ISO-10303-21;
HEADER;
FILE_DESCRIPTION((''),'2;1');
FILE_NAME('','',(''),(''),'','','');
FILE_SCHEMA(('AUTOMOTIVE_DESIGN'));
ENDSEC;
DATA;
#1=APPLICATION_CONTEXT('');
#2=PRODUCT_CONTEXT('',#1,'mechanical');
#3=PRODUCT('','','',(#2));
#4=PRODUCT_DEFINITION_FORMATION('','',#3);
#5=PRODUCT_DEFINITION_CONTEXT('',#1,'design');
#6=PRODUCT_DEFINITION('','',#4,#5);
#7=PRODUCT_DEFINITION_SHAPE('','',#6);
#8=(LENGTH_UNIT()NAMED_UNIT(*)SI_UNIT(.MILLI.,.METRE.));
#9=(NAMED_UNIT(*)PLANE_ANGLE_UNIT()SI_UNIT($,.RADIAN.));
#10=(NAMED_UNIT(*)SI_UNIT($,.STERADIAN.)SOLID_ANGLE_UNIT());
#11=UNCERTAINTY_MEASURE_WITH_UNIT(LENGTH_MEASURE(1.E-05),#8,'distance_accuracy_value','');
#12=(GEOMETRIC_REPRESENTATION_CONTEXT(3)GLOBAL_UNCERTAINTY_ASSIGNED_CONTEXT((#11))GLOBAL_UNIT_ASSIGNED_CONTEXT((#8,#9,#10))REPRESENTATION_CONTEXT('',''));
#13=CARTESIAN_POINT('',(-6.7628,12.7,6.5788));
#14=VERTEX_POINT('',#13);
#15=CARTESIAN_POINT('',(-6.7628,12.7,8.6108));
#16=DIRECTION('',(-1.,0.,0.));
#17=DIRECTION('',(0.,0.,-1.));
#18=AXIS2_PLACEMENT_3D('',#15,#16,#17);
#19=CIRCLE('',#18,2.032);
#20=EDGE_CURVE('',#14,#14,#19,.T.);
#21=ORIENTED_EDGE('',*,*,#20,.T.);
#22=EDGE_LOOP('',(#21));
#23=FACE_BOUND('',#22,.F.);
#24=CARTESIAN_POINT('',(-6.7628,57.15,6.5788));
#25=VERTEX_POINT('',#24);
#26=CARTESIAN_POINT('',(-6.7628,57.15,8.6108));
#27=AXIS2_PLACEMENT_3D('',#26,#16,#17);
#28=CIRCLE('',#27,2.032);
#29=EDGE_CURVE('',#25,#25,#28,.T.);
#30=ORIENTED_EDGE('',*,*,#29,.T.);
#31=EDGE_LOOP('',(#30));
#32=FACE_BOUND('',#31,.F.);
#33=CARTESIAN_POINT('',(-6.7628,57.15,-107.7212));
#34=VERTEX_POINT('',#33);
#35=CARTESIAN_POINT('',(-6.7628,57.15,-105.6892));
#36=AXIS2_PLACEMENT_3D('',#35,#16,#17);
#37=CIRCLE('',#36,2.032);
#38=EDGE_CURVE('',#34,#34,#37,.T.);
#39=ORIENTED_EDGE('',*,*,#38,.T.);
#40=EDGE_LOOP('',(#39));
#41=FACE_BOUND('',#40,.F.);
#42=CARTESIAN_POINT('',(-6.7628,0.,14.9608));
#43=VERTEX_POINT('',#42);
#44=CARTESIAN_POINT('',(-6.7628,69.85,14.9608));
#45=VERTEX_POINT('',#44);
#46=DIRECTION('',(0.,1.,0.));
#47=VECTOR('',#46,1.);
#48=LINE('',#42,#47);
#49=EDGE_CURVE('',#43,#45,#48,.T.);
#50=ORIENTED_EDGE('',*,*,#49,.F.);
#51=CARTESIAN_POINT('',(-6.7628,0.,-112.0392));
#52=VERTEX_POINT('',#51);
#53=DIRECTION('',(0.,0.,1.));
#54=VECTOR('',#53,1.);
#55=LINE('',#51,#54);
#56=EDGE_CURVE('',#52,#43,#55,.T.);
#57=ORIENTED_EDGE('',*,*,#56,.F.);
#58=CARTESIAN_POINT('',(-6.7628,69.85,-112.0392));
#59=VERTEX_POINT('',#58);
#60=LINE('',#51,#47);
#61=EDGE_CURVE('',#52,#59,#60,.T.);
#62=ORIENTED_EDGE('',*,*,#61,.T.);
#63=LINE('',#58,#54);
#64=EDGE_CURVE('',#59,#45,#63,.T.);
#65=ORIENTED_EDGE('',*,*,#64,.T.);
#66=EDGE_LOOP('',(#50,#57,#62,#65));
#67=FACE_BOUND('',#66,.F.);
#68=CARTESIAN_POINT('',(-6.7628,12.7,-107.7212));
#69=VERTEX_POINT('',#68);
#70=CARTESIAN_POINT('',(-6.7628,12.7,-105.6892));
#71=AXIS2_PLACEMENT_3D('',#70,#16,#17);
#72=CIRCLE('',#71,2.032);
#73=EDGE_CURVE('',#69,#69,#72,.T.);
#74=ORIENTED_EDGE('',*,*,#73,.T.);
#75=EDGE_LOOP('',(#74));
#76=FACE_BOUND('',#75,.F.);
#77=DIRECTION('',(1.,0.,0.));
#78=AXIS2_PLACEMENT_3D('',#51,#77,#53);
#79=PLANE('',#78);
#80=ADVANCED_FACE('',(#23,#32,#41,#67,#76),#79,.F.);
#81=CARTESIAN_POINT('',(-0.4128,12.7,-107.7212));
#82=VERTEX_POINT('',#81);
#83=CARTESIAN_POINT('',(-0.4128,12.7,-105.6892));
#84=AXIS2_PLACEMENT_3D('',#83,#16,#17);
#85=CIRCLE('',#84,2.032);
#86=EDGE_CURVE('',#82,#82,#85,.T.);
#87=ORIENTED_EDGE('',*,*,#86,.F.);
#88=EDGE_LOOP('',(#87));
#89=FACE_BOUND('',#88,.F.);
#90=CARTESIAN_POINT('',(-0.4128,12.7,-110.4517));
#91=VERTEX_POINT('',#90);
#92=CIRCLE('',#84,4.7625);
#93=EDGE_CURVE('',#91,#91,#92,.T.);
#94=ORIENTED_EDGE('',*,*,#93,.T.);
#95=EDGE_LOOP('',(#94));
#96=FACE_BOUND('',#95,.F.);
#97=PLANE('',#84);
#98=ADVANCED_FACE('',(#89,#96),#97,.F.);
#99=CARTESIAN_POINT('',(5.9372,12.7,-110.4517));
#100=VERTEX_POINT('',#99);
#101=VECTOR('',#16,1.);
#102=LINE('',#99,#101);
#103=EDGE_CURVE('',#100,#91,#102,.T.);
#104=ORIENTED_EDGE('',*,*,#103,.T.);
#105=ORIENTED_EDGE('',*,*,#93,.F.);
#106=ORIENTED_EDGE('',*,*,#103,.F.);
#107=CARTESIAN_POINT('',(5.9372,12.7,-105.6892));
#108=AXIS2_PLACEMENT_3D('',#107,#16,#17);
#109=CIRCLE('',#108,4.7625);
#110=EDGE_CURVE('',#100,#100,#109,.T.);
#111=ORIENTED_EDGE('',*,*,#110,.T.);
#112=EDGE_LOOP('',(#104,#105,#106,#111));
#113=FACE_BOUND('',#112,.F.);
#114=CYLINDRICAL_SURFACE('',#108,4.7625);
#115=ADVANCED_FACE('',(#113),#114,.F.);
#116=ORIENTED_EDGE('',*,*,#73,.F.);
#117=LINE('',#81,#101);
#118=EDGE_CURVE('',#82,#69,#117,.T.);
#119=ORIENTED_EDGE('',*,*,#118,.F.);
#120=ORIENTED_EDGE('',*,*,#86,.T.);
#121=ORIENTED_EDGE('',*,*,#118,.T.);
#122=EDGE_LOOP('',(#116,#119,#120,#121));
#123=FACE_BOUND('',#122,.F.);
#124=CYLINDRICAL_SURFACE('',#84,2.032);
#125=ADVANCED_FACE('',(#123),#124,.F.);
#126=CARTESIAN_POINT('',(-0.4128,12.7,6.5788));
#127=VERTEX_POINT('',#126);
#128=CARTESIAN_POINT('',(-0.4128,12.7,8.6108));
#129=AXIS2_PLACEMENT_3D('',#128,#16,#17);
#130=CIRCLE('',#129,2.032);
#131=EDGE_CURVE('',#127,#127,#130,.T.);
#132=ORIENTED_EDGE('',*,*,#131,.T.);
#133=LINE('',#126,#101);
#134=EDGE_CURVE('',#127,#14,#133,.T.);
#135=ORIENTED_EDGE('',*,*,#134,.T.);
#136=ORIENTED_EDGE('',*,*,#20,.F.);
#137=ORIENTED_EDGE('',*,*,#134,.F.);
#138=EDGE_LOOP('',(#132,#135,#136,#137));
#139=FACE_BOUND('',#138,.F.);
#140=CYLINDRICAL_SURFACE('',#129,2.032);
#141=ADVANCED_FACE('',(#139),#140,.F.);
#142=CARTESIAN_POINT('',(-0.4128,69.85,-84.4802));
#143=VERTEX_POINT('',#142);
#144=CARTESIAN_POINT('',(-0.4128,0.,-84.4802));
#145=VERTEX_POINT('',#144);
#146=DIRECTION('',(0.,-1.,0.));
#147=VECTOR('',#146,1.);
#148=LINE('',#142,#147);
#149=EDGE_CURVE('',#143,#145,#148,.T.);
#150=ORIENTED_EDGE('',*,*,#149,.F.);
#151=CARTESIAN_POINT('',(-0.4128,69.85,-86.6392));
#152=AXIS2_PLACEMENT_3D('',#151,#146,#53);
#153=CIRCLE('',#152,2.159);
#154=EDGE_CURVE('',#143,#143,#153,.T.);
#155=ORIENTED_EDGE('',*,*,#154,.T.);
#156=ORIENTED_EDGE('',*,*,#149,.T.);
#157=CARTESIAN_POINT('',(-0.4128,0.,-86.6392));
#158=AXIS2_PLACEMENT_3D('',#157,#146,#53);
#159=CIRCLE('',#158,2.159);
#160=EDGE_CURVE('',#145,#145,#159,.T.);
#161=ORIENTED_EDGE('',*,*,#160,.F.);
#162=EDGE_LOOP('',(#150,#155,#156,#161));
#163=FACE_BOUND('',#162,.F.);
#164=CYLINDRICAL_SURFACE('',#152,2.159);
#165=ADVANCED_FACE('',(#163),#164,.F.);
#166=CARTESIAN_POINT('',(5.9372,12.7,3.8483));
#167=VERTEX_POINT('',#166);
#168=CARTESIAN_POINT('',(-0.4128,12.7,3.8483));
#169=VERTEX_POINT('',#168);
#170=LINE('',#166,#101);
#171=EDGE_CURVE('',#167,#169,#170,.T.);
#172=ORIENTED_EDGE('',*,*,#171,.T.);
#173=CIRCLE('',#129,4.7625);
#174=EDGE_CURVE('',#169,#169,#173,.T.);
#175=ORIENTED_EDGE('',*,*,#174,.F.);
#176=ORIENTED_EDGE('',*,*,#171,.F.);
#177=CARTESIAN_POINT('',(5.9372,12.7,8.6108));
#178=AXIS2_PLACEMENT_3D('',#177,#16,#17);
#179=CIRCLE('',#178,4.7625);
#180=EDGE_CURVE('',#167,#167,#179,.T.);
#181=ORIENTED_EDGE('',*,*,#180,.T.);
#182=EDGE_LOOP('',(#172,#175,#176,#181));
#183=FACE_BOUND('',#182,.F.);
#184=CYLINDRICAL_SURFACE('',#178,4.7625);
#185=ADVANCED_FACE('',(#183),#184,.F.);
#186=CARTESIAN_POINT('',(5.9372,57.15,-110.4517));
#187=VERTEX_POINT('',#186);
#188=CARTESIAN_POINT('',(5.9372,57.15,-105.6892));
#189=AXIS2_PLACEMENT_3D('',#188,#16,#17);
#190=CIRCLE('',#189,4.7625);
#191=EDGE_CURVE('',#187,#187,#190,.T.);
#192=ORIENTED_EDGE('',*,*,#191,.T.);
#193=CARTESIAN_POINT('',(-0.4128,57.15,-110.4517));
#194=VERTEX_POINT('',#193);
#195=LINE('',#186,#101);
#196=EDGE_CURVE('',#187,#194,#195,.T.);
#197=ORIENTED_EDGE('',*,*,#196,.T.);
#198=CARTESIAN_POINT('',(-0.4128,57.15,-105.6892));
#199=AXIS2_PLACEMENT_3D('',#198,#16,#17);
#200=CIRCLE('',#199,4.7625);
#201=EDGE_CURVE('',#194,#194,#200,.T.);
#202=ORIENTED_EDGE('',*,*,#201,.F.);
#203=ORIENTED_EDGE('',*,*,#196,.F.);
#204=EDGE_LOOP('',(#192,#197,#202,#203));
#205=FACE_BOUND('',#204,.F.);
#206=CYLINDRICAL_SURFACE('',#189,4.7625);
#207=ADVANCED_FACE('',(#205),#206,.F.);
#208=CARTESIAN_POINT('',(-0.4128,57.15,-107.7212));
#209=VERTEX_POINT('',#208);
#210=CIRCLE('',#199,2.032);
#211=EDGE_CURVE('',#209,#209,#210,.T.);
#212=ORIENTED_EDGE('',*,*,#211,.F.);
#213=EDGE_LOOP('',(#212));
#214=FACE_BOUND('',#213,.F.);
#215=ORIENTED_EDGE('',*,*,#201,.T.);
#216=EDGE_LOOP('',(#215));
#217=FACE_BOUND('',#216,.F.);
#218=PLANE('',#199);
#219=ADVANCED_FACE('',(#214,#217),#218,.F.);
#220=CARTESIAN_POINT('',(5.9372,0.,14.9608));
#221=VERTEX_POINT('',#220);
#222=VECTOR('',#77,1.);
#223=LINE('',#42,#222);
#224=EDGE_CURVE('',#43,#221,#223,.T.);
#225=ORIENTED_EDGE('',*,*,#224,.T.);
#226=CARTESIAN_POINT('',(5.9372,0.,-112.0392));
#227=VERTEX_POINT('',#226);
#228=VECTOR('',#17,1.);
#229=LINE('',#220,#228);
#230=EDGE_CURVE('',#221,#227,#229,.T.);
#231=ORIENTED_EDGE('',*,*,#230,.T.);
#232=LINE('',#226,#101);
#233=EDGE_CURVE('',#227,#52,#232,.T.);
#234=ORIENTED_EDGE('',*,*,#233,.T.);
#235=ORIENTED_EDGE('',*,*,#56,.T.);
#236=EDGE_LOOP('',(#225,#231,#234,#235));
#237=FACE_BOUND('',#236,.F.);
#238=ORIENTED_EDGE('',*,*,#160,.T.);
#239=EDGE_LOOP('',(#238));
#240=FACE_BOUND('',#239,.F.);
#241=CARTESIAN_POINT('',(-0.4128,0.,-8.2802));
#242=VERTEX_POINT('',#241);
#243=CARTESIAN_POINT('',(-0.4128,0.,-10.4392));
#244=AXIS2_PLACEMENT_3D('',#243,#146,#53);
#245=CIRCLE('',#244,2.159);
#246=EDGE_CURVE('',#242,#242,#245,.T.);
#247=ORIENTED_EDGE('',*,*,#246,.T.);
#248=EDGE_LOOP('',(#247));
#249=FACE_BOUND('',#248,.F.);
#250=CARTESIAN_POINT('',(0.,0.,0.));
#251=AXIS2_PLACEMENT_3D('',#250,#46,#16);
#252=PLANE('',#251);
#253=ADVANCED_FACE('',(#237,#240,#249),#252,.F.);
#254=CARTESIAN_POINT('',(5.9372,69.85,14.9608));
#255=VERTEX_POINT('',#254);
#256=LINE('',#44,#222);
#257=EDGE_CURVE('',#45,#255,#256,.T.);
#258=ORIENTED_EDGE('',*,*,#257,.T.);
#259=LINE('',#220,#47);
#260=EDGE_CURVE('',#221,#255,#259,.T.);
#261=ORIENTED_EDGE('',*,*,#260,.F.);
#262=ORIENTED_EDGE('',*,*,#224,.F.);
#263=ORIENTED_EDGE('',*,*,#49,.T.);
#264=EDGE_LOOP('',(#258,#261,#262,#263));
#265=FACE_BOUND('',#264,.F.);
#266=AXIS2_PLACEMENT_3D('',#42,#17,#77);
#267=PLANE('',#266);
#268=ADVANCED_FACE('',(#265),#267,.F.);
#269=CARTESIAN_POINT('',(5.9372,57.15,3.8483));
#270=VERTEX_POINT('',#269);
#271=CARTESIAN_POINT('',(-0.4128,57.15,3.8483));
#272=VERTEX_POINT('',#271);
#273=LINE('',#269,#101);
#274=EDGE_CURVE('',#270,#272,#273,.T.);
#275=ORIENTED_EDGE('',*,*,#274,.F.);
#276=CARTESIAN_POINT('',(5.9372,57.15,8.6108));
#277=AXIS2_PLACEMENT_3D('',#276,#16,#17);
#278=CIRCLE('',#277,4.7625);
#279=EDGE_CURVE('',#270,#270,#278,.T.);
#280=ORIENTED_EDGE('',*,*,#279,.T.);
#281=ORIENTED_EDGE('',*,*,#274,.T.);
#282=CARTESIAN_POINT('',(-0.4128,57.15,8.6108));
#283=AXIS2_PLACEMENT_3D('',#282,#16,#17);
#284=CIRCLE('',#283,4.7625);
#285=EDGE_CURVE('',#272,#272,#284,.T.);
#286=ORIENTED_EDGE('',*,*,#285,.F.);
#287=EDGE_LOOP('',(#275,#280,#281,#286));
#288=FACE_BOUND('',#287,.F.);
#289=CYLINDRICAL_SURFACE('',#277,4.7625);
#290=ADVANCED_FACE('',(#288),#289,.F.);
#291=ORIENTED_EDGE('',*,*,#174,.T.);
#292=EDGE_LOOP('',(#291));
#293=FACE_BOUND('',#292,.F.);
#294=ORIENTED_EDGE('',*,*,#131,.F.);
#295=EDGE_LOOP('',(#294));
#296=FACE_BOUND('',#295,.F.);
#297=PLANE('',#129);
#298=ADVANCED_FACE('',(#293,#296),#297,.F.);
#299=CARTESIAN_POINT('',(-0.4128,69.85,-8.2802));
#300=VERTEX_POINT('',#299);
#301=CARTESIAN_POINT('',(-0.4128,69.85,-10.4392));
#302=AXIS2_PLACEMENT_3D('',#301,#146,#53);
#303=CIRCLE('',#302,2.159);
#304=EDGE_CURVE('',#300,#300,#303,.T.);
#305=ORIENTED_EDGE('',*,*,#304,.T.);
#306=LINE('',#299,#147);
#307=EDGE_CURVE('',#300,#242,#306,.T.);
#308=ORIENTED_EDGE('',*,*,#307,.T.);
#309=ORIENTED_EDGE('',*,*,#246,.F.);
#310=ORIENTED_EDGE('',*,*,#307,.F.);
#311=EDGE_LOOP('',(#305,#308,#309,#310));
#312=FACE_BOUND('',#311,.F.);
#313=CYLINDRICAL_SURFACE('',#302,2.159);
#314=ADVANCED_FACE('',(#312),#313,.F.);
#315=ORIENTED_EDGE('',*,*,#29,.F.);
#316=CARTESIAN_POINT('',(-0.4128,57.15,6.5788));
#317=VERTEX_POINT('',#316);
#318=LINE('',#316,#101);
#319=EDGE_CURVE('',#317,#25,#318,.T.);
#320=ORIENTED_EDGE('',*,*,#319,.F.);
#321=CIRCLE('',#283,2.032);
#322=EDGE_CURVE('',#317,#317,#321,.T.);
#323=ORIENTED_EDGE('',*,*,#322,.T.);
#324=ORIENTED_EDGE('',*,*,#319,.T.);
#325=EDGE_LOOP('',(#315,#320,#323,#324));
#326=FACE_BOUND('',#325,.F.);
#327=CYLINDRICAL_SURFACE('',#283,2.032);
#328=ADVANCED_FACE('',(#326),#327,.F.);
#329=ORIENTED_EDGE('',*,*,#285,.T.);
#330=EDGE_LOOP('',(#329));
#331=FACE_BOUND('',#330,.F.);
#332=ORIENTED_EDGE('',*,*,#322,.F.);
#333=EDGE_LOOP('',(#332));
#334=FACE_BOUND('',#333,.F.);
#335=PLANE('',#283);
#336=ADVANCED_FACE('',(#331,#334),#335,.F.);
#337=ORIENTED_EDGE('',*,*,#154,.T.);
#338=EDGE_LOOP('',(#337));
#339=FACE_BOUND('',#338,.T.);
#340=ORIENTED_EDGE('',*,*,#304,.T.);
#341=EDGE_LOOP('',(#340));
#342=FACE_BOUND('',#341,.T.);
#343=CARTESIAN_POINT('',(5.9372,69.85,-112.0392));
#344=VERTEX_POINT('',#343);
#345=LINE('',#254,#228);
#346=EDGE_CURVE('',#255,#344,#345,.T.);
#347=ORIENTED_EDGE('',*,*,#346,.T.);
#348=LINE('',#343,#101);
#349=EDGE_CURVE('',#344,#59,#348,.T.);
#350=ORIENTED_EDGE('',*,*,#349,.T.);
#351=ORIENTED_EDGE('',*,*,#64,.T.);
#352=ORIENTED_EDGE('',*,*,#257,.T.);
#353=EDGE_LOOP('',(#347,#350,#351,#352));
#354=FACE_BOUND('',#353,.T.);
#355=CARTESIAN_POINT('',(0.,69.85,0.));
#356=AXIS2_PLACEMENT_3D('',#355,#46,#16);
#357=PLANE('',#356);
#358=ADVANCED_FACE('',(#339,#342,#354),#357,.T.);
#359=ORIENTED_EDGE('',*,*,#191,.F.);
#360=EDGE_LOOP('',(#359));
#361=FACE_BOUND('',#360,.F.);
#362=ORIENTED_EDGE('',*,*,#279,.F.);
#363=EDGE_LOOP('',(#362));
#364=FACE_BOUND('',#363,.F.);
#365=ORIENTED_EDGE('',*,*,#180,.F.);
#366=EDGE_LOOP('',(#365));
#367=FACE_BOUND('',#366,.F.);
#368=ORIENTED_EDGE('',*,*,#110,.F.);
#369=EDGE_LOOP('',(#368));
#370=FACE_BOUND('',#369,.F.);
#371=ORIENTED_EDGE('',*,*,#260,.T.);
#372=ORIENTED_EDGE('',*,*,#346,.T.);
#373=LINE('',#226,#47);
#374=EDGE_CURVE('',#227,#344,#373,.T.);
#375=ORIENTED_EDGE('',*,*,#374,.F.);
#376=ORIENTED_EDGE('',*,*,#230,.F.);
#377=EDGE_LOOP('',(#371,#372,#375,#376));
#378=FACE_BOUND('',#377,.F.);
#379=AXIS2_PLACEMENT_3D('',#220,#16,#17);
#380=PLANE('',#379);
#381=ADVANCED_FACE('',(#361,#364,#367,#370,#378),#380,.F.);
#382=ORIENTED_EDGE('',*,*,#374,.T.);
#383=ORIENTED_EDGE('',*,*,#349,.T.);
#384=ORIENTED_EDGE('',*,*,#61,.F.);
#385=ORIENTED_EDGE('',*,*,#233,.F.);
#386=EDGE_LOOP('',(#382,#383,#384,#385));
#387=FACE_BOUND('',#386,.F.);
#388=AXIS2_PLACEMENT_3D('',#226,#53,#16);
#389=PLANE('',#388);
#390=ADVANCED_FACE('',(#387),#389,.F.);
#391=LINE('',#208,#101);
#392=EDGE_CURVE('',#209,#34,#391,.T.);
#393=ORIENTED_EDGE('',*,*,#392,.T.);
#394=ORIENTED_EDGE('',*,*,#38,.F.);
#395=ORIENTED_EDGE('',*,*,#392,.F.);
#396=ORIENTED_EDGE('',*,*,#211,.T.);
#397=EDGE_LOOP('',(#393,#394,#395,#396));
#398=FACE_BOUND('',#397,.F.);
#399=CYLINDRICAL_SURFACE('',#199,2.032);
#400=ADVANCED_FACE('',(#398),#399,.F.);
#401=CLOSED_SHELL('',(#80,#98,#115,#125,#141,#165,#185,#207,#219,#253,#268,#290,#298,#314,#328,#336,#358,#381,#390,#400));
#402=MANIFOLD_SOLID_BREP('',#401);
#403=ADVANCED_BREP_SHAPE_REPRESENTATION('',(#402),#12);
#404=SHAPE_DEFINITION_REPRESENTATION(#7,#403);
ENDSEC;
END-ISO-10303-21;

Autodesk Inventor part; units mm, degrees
ref_plane "YZ Plane" through (0, 0, 0) normal (1, 0, 0) x (0, 1, 0)
ref_plane "XZ Plane" through (0, 0, 0) normal (0, 1, 0) x (-1, 0, 0)
ref_plane "XY Plane" through (0, 0, 0) normal (0, 0, 1) x (1, 0, 0)
sketch "Sketch1" plane through (0, 0, 0) normal (0, 1, 0) x (-1, 0, 0)
  line L0 (6.7628, 14.9608) -> (-5.9372, 14.9608)
  line L1 (-5.9372, 14.9608) -> (-5.9372, -112.0392)
  line L2 (-5.9372, -112.0392) -> (6.7628, -112.0392)
  line L3 (6.7628, -112.0392) -> (6.7628, 14.9608)
  point P0 (0, 0)
  dimension "d0" = 12.7
  dimension "d1" = 127
extrude "Extrusion1" add sketch "Sketch1" along normal blind 69.85
sketch "Sketch2" plane through (0, 69.85, 0) normal (0, 1, 0) x (1, 0, 0)
  line L0 (5.9372, 112.0392) -> (-6.7628, 112.0392) projected
  line L1 (5.9372, -14.9608) -> (5.9372, 112.0392) projected
  line L2 (-6.7628, -14.9608) -> (5.9372, -14.9608) projected
  point P0 (0, 0)
  point P1 (-0.4128, 10.4392)
  point P2 (-0.4128, 86.6392)
  dimension "d4" = 25.4
  dimension "d5" = 6.35
  dimension "d6" = 25.4
  dimension "d7" = 6.35
hole "Hole1" at (-0.4128, 69.85, -10.4392) at (-0.4128, 69.85, -86.6392) direction (0, -1, 0) diameter 4.318 end through all
sketch "Sketch3" plane through (5.9372, 0, 14.9608) normal (1, 0, 0) x (0, 0, -1)
  line L0 (0, 0) -> (0, 69.85) projected
  line L1 (0, 0) -> (127, 0) projected
  line L2 (0, 69.85) -> (127, 69.85) projected
  line L3 (127, 0) -> (127, 69.85) projected
  point P0 (14.9608, 0)
  point P1 (6.35, 57.15)
  point P2 (6.35, 12.7)
  point P3 (120.65, 57.15)
  point P4 (120.65, 12.7)
  dimension "d15" = 6.35
  dimension "d16" = 6.35
  dimension "d17" = 12.7
  dimension "d18" = 12.7
  dimension "d19" = 12.7
  dimension "d20" = 6.35
  dimension "d21" = 6.35
  dimension "d22" = 12.7
hole "Hole2" at (5.9372, 57.15, 8.6108) at (5.9372, 12.7, 8.6108) at (5.9372, 57.15, -105.6892) at (5.9372, 12.7, -105.6892) direction (-1, 0, 0) diameter 4.064 end through all counterbore diameter 9.525 counterbore depth 6.35
properties part number "BatteryFrontPlate"
